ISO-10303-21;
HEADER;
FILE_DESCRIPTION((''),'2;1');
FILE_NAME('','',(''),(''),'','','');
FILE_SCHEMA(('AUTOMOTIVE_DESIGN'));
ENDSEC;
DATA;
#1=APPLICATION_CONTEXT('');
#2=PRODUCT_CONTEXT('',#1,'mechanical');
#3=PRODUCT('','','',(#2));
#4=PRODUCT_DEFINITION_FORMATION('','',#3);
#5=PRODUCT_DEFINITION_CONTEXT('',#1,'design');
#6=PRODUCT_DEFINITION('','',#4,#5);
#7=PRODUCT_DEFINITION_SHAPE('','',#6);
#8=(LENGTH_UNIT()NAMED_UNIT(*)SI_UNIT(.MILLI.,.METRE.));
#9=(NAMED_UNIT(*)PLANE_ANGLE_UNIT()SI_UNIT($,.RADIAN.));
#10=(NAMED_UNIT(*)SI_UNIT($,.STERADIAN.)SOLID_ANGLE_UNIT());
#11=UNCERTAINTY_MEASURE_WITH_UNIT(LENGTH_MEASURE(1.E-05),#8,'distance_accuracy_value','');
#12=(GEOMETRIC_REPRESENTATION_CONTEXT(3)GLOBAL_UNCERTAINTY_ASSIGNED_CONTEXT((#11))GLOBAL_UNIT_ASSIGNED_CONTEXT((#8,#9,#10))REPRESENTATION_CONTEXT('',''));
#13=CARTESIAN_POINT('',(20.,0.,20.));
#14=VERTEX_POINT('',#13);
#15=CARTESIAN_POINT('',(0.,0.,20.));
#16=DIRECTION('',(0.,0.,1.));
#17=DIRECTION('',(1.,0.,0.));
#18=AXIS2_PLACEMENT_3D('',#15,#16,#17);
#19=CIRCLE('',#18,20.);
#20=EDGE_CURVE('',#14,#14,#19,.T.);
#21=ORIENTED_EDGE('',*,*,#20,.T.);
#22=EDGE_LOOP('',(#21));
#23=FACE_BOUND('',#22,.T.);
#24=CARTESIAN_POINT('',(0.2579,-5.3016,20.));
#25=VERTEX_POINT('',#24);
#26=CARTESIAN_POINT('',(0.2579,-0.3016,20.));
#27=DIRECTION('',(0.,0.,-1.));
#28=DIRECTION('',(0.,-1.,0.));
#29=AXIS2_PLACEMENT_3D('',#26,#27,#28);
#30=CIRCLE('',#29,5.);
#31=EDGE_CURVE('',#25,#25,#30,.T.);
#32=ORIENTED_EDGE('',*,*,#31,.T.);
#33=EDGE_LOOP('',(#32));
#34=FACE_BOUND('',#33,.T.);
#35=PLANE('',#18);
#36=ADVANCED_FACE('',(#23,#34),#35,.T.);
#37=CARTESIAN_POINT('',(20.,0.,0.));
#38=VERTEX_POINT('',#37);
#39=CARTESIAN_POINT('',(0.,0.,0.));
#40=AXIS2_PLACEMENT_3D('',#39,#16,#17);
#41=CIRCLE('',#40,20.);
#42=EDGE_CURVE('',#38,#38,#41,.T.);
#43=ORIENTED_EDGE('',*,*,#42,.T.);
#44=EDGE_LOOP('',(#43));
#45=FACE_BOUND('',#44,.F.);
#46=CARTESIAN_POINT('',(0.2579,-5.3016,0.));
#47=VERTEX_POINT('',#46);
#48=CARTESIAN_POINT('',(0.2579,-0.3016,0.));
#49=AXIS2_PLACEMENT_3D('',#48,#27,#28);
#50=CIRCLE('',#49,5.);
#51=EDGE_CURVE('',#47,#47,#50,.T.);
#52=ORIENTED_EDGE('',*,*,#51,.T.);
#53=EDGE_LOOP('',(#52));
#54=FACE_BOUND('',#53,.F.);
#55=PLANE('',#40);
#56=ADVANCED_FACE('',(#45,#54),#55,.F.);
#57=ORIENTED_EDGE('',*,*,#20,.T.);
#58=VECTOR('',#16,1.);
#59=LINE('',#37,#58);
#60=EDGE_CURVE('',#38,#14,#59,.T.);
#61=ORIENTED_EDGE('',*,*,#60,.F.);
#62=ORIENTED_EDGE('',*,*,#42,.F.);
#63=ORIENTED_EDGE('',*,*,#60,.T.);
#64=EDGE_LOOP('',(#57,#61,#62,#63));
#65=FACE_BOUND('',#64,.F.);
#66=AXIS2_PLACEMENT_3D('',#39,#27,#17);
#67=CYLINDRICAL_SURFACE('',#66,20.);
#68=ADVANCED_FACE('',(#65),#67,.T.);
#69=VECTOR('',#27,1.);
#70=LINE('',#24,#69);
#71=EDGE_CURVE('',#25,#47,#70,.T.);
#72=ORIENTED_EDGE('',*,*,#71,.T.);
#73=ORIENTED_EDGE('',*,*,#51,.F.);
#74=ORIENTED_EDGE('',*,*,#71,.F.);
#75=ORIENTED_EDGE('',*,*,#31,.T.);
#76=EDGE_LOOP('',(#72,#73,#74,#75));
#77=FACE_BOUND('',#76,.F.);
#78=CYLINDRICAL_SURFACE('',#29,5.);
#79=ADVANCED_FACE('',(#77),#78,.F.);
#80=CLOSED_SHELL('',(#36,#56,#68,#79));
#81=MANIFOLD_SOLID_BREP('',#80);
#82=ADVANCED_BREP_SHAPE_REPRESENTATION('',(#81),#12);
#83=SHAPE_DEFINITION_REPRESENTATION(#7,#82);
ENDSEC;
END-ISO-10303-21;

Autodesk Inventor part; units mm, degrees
ref_plane "YZ Plane" through (0, 0, 0) normal (1, 0, 0) x (0, 1, 0)
ref_plane "XZ Plane" through (0, 0, 0) normal (0, 1, 0) x (-1, 0, 0)
ref_plane "XY Plane" through (0, 0, 0) normal (0, 0, 1) x (1, 0, 0)
sketch "Sketch1" plane through (0, 0, 0) normal (0, 0, 1) x (1, 0, 0)
  circle A0 centre (0, 0) radius 20
  dimension "d0" = 40
extrude "Extrusion1" add sketch "Sketch1" along normal blind 20
sketch "Sketch2" plane through (0, 0, 20) normal (0, 0, 1) x (1, 0, 0)
  point P0 (0, 0)
  point P1 (0.2579, -0.3016)
hole "Hole1" at (0.2579, -0.3016, 20) direction (0, 0, -1) diameter 10 depth 30 tip angle 118
properties part number "wheel"
